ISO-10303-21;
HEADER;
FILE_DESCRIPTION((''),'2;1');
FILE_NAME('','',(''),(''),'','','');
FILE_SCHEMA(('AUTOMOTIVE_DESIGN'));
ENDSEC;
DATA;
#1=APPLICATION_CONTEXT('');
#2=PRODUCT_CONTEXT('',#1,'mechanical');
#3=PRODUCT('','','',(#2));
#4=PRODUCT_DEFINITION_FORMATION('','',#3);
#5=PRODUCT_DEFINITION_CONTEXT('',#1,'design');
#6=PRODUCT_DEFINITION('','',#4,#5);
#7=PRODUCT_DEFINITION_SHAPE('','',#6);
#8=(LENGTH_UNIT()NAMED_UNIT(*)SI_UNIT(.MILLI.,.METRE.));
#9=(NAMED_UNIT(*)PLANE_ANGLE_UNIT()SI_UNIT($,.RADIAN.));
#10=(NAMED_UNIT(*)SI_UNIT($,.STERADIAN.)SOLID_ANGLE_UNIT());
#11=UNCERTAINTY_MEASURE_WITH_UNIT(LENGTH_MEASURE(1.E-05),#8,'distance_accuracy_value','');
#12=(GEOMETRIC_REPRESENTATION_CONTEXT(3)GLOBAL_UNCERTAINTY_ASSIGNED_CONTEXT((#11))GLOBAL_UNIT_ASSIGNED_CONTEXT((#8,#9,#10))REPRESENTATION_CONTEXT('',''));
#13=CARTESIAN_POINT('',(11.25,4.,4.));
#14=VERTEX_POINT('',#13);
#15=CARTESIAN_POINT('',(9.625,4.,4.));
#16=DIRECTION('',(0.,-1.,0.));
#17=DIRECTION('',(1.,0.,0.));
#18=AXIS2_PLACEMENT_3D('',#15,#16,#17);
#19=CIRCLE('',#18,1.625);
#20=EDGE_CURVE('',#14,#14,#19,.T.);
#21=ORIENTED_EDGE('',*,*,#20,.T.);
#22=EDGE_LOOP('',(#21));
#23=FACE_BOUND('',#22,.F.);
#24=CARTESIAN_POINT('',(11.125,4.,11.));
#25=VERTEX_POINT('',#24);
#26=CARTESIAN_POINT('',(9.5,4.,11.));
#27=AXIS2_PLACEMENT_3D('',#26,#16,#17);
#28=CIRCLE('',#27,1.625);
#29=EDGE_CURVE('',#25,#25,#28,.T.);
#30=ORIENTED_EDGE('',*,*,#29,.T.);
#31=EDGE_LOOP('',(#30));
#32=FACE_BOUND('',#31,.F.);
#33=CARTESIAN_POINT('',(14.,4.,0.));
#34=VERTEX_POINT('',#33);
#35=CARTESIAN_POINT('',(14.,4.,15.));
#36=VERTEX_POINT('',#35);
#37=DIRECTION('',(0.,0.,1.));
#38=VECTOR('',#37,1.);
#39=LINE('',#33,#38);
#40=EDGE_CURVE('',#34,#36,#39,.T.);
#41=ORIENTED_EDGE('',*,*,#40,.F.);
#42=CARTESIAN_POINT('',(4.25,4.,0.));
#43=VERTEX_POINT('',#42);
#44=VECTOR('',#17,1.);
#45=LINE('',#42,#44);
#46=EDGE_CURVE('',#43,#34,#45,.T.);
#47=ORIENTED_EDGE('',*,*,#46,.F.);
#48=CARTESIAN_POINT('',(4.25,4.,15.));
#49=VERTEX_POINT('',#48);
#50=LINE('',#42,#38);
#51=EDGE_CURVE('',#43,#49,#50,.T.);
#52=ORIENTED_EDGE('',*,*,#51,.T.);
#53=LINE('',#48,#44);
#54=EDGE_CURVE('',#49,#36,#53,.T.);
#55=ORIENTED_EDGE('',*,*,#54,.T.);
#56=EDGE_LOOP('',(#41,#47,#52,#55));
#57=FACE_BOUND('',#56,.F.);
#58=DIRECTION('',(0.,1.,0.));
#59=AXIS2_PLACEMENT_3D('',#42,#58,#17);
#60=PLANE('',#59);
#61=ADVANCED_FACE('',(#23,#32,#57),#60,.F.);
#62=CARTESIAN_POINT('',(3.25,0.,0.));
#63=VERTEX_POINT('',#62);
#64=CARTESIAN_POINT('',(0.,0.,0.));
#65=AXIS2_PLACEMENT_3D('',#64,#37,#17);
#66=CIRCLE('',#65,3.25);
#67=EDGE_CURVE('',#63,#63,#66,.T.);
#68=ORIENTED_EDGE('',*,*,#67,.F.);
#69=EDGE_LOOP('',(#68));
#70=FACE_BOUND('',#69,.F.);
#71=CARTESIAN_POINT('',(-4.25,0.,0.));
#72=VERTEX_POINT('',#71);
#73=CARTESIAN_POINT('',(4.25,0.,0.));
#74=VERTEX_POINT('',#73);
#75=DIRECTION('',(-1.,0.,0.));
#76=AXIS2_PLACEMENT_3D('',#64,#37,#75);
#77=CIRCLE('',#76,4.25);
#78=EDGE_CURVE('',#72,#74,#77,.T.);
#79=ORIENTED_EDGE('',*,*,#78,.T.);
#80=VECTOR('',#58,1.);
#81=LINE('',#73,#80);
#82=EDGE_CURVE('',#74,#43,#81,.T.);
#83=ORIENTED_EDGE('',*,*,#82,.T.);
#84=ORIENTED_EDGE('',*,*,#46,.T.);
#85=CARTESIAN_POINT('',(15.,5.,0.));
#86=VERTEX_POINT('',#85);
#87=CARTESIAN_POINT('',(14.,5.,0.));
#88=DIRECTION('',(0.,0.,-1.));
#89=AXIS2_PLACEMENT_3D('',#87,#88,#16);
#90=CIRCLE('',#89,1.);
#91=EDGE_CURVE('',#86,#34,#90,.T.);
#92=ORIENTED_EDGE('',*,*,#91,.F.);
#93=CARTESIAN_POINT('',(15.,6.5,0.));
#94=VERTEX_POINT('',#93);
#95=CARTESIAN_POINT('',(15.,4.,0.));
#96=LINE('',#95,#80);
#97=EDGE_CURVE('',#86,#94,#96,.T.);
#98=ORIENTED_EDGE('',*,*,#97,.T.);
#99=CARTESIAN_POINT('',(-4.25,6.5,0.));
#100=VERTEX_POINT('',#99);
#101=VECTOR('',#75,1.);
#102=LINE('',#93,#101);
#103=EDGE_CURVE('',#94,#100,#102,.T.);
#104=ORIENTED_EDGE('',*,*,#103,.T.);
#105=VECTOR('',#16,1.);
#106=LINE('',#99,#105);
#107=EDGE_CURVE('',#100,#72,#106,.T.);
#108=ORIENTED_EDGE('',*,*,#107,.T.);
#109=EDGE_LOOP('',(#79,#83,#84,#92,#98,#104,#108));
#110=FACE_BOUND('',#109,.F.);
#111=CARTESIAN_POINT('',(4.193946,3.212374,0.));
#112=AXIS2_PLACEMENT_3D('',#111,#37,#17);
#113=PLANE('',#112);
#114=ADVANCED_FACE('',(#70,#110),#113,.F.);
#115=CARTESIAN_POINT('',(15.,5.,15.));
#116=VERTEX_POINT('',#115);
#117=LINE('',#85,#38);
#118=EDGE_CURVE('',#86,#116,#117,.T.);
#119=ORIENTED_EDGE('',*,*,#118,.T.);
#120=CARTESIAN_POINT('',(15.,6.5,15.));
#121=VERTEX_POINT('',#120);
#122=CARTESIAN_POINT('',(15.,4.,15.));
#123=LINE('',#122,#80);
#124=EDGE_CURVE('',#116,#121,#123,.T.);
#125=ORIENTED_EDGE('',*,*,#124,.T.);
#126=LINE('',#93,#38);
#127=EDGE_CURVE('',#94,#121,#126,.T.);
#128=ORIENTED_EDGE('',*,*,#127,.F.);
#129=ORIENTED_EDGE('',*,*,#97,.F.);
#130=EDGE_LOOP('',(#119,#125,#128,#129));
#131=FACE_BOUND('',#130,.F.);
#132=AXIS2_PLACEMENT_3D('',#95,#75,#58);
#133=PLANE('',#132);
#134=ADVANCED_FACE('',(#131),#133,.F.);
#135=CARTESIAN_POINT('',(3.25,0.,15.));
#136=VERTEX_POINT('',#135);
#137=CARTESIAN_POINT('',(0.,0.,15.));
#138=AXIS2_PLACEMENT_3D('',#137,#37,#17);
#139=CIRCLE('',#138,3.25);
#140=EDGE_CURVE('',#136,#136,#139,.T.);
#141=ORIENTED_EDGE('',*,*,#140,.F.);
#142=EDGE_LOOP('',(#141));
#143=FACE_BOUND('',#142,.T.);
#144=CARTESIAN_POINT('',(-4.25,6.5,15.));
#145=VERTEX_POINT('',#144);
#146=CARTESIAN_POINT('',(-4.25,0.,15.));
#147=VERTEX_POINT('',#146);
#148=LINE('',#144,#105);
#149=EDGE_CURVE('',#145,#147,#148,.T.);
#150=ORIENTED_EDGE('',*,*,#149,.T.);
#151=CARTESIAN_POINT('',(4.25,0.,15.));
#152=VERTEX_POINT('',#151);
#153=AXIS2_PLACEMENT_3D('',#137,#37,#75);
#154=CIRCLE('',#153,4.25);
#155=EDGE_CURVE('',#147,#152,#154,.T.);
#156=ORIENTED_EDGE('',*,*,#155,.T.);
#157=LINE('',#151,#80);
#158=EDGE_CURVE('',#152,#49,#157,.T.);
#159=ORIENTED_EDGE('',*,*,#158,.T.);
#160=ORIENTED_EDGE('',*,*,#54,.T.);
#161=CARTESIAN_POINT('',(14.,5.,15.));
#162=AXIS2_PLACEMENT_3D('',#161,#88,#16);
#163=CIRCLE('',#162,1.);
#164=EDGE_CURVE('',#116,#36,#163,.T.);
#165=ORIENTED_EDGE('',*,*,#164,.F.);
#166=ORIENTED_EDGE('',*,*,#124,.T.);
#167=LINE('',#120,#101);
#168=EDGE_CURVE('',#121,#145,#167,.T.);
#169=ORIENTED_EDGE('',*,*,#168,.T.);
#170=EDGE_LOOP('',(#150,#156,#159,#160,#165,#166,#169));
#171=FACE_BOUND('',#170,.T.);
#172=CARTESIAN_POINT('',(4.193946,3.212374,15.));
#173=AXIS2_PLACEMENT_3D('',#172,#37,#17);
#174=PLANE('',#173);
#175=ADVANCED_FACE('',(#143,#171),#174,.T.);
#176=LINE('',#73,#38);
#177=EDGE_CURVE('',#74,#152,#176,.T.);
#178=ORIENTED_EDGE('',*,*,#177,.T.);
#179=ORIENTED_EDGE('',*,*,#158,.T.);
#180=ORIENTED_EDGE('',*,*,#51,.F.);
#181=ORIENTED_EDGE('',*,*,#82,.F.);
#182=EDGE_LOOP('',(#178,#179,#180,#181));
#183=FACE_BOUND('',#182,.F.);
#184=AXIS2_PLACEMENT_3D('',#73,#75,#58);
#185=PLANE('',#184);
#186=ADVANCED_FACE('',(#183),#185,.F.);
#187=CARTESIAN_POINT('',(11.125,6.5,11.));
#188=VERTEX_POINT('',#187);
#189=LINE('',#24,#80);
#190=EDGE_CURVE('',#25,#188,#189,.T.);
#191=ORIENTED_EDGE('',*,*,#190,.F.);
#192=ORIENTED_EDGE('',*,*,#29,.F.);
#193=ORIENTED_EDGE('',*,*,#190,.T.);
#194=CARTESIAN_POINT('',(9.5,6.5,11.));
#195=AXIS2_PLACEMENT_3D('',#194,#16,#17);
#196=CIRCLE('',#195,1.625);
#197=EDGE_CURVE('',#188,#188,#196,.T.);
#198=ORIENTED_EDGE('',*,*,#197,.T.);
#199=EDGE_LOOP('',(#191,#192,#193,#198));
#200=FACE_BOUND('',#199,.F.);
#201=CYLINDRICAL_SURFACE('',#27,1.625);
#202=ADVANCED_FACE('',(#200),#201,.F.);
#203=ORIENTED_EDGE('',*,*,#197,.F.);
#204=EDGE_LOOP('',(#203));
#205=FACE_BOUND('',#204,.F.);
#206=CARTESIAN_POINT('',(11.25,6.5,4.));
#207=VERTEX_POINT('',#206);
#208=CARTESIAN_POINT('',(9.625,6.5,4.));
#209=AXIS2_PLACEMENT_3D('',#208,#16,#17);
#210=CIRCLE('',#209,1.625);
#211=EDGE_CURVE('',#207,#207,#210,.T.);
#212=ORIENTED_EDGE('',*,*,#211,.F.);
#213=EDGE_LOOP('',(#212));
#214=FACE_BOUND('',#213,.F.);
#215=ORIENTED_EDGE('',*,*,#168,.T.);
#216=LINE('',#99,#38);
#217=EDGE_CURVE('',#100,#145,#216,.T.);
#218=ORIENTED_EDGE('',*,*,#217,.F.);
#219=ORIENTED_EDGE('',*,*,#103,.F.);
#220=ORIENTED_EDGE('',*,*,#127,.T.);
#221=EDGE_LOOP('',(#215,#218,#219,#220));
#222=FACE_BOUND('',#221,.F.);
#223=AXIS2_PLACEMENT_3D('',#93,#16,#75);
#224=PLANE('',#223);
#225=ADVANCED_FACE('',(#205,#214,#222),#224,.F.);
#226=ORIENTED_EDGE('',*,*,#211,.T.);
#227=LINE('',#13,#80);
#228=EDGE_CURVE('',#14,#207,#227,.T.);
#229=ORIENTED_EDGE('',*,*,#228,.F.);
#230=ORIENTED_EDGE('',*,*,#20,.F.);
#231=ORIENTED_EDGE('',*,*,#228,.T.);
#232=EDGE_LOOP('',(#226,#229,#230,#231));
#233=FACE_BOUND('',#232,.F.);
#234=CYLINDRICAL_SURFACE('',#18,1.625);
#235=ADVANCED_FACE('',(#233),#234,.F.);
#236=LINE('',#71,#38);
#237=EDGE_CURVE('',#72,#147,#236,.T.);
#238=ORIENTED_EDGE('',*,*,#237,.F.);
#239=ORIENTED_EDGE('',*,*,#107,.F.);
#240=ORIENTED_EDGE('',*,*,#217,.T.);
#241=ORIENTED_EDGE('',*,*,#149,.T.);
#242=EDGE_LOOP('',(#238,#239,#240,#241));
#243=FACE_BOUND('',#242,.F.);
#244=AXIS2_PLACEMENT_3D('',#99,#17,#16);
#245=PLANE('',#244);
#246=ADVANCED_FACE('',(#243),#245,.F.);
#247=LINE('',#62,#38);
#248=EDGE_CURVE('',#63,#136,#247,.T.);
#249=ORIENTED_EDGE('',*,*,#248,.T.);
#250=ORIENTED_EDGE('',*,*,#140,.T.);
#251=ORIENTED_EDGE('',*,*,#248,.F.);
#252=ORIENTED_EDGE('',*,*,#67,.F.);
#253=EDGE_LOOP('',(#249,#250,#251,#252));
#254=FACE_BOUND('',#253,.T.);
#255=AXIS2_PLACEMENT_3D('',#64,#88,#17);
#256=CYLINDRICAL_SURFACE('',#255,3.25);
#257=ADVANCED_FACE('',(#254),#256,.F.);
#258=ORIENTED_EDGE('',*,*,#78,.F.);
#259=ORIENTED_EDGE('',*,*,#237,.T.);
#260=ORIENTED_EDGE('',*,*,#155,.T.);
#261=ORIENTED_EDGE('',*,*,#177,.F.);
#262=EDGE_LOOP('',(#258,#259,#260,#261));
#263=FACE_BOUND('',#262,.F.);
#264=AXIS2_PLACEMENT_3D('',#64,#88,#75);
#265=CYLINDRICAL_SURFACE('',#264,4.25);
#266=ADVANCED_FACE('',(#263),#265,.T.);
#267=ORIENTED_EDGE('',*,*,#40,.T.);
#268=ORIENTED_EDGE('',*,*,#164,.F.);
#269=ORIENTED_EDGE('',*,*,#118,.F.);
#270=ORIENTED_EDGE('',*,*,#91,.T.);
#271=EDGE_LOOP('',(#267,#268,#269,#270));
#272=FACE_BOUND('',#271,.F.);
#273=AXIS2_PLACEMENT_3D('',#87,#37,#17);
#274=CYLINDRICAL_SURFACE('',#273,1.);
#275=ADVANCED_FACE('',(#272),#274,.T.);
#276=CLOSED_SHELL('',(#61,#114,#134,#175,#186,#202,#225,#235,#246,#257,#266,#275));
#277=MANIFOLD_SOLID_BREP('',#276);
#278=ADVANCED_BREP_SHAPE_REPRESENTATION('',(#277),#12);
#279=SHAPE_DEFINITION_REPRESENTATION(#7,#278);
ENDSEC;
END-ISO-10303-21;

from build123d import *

# Parameters (mm, degrees)
F0_R     = 3.25
F1_DEPTH = 15
F2_R     = 1.625
F3_DEPTH = 3
F4_R     = 1


with BuildPart() as f1:
    # F0 (on Top) → F1 (new body)
    with BuildSketch(Plane.XY):
        with BuildLine():
            Line((-4.25, 6.5), (-4.25, 0))
            ThreePointArc((-4.25, 0), (0, -4.25), (4.25, 0))
            Line((4.25, 0), (4.25, 4))
            Line((4.25, 4), (15, 4))
            Line((15, 4), (15, 6.5))
            Line((15, 6.5), (-4.25, 6.5))
        make_face()
        Circle(F0_R, mode=Mode.SUBTRACT)
    extrude(amount=F1_DEPTH)

    # F2 (on face) → F3 (cut)
    with BuildSketch(Plane.XZ.offset(-4)):
        with Locations((9.5, 11)):
            Circle(F2_R)
        with Locations((9.625, 4)):
            Circle(F2_R)
    extrude(amount=-F3_DEPTH, mode=Mode.SUBTRACT)

    # F4
    f4_edges = [f1.edges().sort_by_distance(p)[0] for p in [
        (15, 4, 7.5),
    ]]
    fillet(f4_edges, radius=F4_R)


solid = f1.part
